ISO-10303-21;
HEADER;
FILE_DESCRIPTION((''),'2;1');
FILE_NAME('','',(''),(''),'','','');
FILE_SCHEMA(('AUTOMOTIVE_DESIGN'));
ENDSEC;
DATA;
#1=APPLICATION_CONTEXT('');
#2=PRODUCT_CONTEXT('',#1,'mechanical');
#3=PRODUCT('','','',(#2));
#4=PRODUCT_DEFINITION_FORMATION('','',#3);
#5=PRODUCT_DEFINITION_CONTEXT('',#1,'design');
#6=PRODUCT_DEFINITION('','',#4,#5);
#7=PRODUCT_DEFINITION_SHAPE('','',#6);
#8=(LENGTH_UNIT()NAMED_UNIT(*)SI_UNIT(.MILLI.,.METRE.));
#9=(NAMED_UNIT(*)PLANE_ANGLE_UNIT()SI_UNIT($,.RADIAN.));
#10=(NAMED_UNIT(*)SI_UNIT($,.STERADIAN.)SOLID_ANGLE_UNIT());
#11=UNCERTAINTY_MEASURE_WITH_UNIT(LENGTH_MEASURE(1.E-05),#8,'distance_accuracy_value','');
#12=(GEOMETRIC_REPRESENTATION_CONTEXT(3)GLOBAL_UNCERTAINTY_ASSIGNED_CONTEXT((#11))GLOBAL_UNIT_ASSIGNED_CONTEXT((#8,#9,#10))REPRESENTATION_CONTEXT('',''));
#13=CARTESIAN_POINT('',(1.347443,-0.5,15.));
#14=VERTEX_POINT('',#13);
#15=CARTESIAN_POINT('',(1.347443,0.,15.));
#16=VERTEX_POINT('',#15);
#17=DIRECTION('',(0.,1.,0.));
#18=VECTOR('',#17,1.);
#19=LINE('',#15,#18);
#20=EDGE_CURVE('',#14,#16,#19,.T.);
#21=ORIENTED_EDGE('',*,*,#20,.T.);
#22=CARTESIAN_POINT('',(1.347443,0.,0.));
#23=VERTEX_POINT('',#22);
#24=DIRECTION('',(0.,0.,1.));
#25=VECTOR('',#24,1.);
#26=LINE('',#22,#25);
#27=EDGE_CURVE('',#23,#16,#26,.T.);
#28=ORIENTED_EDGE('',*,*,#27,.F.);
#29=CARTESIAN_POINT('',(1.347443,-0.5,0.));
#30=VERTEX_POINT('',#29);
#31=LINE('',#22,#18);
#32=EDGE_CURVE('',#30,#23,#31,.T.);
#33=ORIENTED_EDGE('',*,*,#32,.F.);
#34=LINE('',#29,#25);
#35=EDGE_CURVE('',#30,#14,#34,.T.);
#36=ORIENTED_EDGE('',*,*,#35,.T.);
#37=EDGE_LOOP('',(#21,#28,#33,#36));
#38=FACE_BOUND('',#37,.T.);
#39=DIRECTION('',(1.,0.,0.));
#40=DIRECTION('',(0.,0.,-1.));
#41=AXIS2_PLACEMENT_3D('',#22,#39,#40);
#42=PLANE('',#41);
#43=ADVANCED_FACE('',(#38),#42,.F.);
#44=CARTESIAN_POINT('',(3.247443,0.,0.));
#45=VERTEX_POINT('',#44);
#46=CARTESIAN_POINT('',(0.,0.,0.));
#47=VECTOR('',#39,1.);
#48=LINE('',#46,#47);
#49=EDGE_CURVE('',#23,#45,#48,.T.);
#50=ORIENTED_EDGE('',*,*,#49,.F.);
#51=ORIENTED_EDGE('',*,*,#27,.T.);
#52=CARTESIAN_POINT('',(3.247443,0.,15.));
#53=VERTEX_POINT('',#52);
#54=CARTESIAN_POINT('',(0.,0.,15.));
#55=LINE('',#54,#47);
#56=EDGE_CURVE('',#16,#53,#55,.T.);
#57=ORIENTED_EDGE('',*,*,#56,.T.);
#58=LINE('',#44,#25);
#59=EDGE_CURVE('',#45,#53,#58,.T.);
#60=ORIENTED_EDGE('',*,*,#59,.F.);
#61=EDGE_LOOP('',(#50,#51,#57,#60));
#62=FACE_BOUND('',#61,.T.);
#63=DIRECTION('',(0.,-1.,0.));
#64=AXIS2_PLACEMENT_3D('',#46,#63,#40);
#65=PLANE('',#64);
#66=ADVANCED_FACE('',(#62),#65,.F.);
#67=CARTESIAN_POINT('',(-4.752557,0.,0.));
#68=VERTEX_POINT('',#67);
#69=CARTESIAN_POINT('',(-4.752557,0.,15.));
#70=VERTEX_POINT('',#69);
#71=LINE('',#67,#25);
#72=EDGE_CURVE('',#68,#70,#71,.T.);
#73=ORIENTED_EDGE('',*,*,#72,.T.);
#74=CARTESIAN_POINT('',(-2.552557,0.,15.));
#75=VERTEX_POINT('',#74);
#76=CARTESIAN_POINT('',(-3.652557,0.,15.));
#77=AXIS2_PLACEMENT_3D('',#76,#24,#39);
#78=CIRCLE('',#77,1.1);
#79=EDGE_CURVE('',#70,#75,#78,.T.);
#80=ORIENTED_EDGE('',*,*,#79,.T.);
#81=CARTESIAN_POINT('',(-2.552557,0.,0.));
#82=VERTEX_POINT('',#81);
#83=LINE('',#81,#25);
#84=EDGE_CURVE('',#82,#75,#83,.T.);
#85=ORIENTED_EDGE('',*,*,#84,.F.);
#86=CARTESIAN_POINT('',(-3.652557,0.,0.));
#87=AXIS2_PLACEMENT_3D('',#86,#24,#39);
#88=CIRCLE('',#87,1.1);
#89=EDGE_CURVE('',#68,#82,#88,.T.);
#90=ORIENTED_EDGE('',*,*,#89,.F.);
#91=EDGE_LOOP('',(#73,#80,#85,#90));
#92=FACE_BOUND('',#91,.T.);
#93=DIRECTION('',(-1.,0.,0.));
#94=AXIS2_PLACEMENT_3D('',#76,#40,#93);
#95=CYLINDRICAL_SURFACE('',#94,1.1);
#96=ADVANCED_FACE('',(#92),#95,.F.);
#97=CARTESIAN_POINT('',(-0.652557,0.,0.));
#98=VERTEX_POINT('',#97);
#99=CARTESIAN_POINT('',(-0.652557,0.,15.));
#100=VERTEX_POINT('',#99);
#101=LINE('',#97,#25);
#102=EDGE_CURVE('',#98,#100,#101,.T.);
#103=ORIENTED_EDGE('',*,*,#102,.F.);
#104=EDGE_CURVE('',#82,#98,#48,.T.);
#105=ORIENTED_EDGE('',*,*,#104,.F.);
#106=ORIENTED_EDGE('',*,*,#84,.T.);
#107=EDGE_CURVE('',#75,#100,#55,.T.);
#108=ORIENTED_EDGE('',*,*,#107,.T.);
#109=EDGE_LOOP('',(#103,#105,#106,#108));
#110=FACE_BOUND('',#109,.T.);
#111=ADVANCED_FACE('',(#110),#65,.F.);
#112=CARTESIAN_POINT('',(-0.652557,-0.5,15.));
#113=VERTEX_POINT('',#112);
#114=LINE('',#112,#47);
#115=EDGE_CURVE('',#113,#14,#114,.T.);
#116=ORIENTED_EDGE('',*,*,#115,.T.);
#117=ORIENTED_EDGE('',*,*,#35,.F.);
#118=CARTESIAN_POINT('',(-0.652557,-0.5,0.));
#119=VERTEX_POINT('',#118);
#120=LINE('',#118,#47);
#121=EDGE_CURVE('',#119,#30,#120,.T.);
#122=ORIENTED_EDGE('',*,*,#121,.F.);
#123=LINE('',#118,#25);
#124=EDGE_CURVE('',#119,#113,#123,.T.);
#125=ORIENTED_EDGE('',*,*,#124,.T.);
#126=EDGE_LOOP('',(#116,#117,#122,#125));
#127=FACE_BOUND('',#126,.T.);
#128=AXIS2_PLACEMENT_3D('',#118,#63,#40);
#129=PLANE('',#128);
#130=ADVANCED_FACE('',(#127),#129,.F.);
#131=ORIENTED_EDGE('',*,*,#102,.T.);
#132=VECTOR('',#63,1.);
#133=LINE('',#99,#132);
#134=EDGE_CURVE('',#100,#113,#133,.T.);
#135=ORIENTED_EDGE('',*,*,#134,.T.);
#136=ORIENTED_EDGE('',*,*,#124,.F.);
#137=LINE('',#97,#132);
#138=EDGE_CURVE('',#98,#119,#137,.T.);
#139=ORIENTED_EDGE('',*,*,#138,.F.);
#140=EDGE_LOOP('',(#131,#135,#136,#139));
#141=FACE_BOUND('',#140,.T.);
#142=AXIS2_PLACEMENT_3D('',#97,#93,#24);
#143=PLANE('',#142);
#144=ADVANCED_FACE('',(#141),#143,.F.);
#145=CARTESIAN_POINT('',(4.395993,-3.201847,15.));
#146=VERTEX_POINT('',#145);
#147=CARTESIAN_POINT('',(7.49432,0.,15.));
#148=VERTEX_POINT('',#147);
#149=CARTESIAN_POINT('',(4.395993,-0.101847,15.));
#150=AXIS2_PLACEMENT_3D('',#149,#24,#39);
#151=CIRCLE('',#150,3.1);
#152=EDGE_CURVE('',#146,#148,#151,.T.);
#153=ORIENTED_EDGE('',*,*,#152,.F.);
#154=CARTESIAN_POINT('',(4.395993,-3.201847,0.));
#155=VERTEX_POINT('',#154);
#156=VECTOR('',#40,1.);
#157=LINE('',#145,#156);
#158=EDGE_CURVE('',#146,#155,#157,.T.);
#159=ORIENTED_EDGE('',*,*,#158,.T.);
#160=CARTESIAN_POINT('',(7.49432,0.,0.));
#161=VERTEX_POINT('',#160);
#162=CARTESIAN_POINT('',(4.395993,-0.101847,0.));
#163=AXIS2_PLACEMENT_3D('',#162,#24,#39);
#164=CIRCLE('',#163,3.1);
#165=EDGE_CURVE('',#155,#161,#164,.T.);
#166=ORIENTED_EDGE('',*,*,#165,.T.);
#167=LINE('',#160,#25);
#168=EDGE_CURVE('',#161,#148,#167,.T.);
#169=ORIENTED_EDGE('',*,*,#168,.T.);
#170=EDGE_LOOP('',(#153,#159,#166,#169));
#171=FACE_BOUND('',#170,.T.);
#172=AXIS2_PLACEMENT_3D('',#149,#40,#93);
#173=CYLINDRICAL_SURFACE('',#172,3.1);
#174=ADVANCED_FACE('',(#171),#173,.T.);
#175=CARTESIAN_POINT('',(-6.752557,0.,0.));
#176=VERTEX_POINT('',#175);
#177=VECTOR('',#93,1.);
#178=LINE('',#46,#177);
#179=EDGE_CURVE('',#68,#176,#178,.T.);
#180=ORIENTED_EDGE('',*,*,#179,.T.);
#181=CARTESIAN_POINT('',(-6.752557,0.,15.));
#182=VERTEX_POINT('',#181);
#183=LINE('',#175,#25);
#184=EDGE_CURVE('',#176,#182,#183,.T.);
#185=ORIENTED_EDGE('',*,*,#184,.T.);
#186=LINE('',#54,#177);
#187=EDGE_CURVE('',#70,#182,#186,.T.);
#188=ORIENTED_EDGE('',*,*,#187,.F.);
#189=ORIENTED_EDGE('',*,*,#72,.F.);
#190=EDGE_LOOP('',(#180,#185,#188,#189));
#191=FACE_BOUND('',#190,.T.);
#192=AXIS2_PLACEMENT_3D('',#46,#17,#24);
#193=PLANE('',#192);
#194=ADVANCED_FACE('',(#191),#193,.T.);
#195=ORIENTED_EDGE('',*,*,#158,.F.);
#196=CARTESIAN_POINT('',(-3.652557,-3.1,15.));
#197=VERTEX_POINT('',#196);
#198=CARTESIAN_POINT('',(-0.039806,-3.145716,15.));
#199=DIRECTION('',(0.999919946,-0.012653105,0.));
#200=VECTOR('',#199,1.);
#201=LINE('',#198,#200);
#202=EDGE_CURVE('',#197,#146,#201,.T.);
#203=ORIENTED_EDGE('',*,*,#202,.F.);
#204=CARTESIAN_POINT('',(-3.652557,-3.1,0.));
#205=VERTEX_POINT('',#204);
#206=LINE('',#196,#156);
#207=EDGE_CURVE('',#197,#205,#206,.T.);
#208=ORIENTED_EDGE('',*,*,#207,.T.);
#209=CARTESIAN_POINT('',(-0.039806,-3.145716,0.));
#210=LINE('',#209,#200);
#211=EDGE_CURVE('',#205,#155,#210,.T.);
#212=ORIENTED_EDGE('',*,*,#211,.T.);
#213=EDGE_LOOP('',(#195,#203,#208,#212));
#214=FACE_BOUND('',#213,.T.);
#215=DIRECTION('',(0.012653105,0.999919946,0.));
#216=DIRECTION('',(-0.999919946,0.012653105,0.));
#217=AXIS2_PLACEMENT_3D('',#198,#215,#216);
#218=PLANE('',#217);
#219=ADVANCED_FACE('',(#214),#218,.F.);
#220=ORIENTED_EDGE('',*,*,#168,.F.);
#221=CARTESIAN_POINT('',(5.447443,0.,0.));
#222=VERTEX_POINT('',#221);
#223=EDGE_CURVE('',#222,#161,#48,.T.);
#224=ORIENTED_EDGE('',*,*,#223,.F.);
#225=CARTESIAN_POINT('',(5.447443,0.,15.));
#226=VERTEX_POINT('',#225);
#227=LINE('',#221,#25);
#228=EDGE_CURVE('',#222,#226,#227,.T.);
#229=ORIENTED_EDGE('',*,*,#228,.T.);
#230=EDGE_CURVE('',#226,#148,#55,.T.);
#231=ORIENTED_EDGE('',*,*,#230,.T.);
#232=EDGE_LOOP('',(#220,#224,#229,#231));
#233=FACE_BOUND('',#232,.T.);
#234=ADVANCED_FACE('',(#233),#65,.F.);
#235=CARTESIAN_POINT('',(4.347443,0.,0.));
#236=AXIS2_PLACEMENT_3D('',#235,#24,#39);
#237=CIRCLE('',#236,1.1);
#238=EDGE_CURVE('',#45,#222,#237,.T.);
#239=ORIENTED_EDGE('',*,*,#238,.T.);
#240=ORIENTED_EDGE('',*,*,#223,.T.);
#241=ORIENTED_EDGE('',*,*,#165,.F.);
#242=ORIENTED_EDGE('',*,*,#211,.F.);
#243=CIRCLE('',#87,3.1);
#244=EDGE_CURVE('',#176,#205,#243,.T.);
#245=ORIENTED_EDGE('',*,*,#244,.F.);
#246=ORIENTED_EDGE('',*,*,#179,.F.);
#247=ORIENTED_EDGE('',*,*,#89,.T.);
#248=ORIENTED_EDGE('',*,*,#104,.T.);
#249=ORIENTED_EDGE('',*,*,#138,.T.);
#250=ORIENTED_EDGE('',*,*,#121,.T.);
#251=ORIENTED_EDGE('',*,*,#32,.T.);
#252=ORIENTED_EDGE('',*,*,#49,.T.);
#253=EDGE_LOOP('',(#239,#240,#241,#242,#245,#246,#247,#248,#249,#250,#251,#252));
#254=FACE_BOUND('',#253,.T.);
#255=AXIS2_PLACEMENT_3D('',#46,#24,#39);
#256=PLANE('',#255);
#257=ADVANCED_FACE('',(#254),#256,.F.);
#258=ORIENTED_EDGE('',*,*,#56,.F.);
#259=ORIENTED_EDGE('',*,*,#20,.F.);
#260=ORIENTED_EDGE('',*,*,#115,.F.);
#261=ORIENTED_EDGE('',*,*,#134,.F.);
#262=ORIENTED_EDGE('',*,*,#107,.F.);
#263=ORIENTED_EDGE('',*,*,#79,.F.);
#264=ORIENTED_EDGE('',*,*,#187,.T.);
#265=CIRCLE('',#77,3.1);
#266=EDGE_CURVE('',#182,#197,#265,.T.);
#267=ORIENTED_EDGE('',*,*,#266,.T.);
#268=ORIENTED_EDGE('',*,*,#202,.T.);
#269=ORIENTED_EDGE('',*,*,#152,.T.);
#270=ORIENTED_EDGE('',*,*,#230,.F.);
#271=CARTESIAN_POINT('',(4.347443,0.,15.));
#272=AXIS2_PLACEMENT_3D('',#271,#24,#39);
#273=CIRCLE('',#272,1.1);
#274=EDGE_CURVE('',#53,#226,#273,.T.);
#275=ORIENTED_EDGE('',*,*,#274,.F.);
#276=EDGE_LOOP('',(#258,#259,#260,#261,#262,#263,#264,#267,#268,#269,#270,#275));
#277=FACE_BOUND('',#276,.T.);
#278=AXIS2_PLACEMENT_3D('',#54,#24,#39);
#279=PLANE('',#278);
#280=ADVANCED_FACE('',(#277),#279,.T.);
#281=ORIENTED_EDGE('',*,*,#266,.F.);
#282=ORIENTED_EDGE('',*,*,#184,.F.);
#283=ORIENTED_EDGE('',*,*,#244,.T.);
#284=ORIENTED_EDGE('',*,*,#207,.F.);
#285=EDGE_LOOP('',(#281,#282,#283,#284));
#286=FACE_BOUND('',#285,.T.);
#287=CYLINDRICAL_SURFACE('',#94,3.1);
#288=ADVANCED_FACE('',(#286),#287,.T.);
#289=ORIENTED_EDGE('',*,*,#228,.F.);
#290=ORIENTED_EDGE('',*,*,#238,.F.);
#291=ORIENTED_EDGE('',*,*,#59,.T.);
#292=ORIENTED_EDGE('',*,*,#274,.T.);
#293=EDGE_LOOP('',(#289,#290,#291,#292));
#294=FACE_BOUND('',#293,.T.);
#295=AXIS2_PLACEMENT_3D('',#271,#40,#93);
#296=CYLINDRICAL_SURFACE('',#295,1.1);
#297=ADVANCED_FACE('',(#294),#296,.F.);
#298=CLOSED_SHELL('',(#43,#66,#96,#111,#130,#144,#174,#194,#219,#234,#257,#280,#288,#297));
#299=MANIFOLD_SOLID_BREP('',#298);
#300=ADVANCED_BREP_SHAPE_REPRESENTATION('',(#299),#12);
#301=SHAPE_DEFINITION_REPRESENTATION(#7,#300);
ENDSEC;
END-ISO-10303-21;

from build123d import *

# Parameters (mm, degrees)
SKETCH1_R           = 1.1
SKETCH1_R_2         = 1.6
BOSS_EXTRUDE1_DEPTH = 15
SKETCH3_R           = 1.6
CUT_EXTRUDE1_DEPTH  = 15
SKETCH5_W           = 2
SKETCH5_H           = 0.5
CUT_EXTRUDE2_DEPTH  = 16


with BuildPart() as part:
    # Sketch1 → Boss-Extrude1 (new body)
    with BuildSketch(Plane.XY):
        with BuildLine():
            Line((-1.61243197, 5.01974999), (-5.34022711, 2.600340269))
            ThreePointArc((-5.34022711, 2.600340269), (-6.625018483, -0.880041239), (-3.652556975, -3.1))
            Line((-3.652556975, -3.1), (4.395993446, -3.201847309))
            ThreePointArc((4.395993446, -3.201847309), (7.362670385, -1.001195929), (6.117333323, 2.476328214))
            Line((6.117333323, 2.476328214), (2.346418367, 4.994010285))
            ThreePointArc((2.346418367, 4.994010285), (0.370849058, 5.59992391), (-1.61243197, 5.01974999))
        make_face()
        with Locations((4.347443025, 0)):
            Circle(SKETCH1_R, mode=Mode.SUBTRACT)
        with Locations((0.347443025, 2)):
            Circle(SKETCH1_R_2, mode=Mode.SUBTRACT)
        with Locations((-3.652556975, 0)):
            Circle(SKETCH1_R, mode=Mode.SUBTRACT)
    extrude(amount=BOSS_EXTRUDE1_DEPTH)

    # Sketch3 → Cut-Extrude1 (cut)
    with BuildSketch(Plane.XY.offset(15)):
        with BuildLine():
            ThreePointArc((-4.752556975, 0), (-3.652556975, 1.1), (-2.552556975, 0))
            Line((-2.552556975, 0), (3.247443025, 0))
            ThreePointArc((3.247443025, 0), (4.347443025, 1.1), (5.447443025, 0))
            Line((5.447443025, 0), (7.49431995, 0))
            ThreePointArc((7.49431995, 0), (7.105300804, 1.404689659), (6.117333323, 2.476328214))
            Line((6.117333323, 2.476328214), (2.346418367, 4.994010285))
            ThreePointArc((2.346418367, 4.994010285), (0.370849058, 5.59992391), (-1.61243197, 5.01974999))
            Line((-1.61243197, 5.01974999), (-5.34022711, 2.600340269))
            ThreePointArc((-5.34022711, 2.600340269), (-6.376687792, 1.479564561), (-6.752556975, 0))
            Line((-6.752556975, 0), (-4.752556975, 0))
        make_face()
        with Locations((0.347443025, 2)):
            Circle(SKETCH3_R, mode=Mode.SUBTRACT)
    extrude(amount=-CUT_EXTRUDE1_DEPTH, mode=Mode.SUBTRACT)

    # Sketch5 → Cut-Extrude2 (cut, through all)
    with BuildSketch(Plane.XY.offset(15)):
        with Locations((0.347443025, -0.25)):
            Rectangle(SKETCH5_W, SKETCH5_H)
    extrude(amount=-CUT_EXTRUDE2_DEPTH, mode=Mode.SUBTRACT)


solid = part.part
